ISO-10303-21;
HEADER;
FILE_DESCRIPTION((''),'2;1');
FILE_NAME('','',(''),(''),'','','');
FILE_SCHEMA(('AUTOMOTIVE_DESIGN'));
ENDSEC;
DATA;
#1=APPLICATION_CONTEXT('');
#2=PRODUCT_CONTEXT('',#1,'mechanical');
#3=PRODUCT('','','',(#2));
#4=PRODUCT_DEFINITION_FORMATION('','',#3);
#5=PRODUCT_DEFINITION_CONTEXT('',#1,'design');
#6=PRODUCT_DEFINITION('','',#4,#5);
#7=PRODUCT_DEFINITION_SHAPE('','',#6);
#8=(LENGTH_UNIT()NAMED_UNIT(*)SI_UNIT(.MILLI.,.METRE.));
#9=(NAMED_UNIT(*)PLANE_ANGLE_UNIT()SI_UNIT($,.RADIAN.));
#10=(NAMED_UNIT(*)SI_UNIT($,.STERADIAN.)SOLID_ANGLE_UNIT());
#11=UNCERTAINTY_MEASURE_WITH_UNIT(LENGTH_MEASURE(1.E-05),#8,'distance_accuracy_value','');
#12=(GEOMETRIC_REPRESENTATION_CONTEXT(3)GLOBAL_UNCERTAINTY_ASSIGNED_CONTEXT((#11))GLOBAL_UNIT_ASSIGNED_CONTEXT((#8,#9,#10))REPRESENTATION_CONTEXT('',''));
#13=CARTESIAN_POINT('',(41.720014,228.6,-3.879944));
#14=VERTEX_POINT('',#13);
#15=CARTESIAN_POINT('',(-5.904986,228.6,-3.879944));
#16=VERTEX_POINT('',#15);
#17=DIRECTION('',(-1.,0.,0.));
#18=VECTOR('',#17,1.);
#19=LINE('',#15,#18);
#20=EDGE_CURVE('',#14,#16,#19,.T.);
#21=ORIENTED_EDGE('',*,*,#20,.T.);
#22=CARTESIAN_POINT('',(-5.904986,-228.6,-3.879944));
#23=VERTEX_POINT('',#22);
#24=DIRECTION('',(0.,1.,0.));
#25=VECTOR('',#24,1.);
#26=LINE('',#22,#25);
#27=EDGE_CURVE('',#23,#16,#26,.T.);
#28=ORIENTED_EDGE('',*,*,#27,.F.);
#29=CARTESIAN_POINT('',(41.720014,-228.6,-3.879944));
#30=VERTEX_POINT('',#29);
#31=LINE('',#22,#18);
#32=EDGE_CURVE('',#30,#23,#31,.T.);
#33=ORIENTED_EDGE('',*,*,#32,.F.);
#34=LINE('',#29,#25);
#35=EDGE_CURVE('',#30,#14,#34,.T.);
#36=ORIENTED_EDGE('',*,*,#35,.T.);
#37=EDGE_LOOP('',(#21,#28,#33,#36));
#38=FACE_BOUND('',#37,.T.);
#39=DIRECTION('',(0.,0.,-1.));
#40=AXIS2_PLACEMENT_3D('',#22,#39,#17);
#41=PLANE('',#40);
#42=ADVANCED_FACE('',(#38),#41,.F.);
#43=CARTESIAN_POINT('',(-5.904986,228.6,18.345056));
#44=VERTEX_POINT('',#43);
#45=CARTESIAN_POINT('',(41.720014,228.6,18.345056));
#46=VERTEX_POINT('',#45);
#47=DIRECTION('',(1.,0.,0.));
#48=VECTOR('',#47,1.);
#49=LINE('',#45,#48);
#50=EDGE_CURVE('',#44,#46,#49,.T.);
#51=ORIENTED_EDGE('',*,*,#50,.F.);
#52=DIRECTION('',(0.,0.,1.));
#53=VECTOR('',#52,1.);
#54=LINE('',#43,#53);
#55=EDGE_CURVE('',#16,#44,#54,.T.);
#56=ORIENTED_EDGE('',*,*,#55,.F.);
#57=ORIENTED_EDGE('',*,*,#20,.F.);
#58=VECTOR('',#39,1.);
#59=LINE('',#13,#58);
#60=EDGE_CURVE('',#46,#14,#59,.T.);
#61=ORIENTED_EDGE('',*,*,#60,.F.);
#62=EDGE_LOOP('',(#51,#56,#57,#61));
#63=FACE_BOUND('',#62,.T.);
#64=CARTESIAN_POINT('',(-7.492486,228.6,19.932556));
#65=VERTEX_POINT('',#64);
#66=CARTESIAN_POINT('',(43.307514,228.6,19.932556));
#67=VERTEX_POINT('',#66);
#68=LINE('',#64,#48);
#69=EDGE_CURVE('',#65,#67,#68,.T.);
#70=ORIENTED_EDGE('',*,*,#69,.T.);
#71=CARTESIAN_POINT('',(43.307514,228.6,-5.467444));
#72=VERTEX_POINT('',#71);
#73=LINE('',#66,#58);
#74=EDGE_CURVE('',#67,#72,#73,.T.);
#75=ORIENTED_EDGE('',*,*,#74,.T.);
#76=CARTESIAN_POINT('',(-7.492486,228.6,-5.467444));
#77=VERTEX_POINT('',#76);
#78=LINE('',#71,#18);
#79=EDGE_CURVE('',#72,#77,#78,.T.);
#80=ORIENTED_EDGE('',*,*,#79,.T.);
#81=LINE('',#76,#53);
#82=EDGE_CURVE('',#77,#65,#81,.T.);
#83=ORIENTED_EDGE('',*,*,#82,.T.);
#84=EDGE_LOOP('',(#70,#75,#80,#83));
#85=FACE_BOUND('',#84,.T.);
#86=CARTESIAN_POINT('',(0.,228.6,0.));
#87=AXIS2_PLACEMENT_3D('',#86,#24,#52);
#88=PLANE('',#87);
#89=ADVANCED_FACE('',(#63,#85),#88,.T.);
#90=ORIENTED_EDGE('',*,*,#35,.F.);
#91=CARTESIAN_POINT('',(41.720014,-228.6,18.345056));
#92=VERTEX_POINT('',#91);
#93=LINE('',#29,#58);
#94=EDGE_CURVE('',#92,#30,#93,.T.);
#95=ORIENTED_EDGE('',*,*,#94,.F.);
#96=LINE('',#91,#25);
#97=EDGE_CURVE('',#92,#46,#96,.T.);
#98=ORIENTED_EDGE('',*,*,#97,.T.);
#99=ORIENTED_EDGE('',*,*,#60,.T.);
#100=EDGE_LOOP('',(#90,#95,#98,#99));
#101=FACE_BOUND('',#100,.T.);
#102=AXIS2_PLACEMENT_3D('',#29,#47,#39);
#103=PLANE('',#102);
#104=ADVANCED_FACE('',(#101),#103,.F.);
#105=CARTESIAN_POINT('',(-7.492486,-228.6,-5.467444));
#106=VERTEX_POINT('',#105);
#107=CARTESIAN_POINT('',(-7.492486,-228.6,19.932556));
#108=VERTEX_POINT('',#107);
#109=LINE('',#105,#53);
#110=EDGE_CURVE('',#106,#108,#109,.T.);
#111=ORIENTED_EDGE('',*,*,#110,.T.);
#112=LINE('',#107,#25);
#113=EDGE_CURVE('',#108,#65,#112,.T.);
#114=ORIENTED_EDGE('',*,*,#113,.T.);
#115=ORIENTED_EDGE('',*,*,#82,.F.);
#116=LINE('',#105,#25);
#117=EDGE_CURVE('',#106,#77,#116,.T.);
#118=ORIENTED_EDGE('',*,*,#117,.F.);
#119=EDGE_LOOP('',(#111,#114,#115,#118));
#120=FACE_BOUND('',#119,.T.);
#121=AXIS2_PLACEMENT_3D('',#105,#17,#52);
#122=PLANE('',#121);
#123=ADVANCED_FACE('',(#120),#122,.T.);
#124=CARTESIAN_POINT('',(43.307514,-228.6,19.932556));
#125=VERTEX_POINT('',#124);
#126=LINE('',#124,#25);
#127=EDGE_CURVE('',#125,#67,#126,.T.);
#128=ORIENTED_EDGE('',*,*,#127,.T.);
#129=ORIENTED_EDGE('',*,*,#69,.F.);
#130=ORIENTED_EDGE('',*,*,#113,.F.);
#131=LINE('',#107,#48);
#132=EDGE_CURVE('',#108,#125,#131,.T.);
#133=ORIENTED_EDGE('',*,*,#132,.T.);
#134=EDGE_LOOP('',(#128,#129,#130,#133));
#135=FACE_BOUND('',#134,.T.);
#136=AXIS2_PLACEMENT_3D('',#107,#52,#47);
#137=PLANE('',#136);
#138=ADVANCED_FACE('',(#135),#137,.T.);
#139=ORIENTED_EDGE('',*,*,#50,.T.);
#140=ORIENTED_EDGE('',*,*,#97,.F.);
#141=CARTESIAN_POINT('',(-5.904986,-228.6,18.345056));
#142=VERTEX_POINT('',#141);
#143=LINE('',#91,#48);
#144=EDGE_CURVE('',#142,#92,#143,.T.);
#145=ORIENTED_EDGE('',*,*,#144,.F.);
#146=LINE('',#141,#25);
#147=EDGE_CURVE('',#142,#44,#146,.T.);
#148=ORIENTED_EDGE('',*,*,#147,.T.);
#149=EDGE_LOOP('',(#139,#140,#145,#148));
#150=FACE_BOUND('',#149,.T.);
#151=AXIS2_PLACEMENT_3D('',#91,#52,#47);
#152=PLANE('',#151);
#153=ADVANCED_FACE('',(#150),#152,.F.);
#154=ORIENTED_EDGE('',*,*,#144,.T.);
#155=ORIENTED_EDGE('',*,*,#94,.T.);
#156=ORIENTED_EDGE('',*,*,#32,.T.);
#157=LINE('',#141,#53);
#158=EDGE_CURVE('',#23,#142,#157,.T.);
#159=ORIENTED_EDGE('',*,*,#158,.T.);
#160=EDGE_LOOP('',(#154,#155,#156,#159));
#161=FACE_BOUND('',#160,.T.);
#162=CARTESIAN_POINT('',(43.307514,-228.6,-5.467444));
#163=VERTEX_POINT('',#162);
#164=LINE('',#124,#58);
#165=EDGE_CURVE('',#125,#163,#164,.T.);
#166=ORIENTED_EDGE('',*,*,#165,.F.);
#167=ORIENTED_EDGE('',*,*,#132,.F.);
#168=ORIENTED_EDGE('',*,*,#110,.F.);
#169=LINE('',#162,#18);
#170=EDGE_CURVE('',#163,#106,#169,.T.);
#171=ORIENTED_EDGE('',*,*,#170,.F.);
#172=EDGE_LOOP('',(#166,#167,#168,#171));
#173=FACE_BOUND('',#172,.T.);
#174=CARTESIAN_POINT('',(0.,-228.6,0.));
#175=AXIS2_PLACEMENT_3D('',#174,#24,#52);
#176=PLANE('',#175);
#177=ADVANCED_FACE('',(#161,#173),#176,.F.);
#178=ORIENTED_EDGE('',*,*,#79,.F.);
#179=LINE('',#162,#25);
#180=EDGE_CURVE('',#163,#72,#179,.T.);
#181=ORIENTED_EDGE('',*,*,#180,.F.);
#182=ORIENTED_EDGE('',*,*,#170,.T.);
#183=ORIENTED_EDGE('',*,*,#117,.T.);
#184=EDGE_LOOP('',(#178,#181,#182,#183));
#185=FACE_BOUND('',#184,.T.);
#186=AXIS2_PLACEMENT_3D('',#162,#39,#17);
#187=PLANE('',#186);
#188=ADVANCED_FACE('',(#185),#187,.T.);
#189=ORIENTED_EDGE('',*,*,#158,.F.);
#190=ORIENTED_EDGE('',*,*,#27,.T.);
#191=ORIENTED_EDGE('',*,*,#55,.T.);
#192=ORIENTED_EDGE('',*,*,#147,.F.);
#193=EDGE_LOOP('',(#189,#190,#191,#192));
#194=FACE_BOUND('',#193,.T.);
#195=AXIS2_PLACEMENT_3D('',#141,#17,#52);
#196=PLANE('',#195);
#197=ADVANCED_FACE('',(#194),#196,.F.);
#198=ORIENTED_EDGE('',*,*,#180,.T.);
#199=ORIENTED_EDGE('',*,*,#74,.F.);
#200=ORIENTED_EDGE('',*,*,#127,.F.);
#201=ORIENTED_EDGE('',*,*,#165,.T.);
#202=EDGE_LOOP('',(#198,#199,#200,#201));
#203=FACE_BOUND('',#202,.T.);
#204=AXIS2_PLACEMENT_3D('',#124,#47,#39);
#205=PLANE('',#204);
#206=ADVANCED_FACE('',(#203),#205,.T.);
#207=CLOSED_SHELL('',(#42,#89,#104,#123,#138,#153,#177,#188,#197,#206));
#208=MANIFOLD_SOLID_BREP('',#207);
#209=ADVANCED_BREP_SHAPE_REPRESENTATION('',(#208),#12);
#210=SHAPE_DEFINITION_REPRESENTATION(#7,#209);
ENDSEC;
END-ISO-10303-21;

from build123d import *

# Parameters (mm, degrees)
SKETCH1_W           = 50.8
SKETCH1_H           = 25.4
SKETCH1_W_2         = 47.625
SKETCH1_H_2         = 22.225
BOSS_EXTRUDE1_DEPTH = 457.2


with BuildPart() as part:
    # Sketch1 → Boss-Extrude1 (new body)
    with BuildSketch(Plane(origin=(0, 228.6, 0), x_dir=(1, 0, 0), z_dir=(0, 1, 0))):
        with Locations((17.907513613, -7.23255612)):
            Rectangle(SKETCH1_W, SKETCH1_H)
        with Locations((17.907513613, -7.23255612)):
            Rectangle(SKETCH1_W_2, SKETCH1_H_2, mode=Mode.SUBTRACT)
    extrude(amount=-BOSS_EXTRUDE1_DEPTH)


solid = part.part
